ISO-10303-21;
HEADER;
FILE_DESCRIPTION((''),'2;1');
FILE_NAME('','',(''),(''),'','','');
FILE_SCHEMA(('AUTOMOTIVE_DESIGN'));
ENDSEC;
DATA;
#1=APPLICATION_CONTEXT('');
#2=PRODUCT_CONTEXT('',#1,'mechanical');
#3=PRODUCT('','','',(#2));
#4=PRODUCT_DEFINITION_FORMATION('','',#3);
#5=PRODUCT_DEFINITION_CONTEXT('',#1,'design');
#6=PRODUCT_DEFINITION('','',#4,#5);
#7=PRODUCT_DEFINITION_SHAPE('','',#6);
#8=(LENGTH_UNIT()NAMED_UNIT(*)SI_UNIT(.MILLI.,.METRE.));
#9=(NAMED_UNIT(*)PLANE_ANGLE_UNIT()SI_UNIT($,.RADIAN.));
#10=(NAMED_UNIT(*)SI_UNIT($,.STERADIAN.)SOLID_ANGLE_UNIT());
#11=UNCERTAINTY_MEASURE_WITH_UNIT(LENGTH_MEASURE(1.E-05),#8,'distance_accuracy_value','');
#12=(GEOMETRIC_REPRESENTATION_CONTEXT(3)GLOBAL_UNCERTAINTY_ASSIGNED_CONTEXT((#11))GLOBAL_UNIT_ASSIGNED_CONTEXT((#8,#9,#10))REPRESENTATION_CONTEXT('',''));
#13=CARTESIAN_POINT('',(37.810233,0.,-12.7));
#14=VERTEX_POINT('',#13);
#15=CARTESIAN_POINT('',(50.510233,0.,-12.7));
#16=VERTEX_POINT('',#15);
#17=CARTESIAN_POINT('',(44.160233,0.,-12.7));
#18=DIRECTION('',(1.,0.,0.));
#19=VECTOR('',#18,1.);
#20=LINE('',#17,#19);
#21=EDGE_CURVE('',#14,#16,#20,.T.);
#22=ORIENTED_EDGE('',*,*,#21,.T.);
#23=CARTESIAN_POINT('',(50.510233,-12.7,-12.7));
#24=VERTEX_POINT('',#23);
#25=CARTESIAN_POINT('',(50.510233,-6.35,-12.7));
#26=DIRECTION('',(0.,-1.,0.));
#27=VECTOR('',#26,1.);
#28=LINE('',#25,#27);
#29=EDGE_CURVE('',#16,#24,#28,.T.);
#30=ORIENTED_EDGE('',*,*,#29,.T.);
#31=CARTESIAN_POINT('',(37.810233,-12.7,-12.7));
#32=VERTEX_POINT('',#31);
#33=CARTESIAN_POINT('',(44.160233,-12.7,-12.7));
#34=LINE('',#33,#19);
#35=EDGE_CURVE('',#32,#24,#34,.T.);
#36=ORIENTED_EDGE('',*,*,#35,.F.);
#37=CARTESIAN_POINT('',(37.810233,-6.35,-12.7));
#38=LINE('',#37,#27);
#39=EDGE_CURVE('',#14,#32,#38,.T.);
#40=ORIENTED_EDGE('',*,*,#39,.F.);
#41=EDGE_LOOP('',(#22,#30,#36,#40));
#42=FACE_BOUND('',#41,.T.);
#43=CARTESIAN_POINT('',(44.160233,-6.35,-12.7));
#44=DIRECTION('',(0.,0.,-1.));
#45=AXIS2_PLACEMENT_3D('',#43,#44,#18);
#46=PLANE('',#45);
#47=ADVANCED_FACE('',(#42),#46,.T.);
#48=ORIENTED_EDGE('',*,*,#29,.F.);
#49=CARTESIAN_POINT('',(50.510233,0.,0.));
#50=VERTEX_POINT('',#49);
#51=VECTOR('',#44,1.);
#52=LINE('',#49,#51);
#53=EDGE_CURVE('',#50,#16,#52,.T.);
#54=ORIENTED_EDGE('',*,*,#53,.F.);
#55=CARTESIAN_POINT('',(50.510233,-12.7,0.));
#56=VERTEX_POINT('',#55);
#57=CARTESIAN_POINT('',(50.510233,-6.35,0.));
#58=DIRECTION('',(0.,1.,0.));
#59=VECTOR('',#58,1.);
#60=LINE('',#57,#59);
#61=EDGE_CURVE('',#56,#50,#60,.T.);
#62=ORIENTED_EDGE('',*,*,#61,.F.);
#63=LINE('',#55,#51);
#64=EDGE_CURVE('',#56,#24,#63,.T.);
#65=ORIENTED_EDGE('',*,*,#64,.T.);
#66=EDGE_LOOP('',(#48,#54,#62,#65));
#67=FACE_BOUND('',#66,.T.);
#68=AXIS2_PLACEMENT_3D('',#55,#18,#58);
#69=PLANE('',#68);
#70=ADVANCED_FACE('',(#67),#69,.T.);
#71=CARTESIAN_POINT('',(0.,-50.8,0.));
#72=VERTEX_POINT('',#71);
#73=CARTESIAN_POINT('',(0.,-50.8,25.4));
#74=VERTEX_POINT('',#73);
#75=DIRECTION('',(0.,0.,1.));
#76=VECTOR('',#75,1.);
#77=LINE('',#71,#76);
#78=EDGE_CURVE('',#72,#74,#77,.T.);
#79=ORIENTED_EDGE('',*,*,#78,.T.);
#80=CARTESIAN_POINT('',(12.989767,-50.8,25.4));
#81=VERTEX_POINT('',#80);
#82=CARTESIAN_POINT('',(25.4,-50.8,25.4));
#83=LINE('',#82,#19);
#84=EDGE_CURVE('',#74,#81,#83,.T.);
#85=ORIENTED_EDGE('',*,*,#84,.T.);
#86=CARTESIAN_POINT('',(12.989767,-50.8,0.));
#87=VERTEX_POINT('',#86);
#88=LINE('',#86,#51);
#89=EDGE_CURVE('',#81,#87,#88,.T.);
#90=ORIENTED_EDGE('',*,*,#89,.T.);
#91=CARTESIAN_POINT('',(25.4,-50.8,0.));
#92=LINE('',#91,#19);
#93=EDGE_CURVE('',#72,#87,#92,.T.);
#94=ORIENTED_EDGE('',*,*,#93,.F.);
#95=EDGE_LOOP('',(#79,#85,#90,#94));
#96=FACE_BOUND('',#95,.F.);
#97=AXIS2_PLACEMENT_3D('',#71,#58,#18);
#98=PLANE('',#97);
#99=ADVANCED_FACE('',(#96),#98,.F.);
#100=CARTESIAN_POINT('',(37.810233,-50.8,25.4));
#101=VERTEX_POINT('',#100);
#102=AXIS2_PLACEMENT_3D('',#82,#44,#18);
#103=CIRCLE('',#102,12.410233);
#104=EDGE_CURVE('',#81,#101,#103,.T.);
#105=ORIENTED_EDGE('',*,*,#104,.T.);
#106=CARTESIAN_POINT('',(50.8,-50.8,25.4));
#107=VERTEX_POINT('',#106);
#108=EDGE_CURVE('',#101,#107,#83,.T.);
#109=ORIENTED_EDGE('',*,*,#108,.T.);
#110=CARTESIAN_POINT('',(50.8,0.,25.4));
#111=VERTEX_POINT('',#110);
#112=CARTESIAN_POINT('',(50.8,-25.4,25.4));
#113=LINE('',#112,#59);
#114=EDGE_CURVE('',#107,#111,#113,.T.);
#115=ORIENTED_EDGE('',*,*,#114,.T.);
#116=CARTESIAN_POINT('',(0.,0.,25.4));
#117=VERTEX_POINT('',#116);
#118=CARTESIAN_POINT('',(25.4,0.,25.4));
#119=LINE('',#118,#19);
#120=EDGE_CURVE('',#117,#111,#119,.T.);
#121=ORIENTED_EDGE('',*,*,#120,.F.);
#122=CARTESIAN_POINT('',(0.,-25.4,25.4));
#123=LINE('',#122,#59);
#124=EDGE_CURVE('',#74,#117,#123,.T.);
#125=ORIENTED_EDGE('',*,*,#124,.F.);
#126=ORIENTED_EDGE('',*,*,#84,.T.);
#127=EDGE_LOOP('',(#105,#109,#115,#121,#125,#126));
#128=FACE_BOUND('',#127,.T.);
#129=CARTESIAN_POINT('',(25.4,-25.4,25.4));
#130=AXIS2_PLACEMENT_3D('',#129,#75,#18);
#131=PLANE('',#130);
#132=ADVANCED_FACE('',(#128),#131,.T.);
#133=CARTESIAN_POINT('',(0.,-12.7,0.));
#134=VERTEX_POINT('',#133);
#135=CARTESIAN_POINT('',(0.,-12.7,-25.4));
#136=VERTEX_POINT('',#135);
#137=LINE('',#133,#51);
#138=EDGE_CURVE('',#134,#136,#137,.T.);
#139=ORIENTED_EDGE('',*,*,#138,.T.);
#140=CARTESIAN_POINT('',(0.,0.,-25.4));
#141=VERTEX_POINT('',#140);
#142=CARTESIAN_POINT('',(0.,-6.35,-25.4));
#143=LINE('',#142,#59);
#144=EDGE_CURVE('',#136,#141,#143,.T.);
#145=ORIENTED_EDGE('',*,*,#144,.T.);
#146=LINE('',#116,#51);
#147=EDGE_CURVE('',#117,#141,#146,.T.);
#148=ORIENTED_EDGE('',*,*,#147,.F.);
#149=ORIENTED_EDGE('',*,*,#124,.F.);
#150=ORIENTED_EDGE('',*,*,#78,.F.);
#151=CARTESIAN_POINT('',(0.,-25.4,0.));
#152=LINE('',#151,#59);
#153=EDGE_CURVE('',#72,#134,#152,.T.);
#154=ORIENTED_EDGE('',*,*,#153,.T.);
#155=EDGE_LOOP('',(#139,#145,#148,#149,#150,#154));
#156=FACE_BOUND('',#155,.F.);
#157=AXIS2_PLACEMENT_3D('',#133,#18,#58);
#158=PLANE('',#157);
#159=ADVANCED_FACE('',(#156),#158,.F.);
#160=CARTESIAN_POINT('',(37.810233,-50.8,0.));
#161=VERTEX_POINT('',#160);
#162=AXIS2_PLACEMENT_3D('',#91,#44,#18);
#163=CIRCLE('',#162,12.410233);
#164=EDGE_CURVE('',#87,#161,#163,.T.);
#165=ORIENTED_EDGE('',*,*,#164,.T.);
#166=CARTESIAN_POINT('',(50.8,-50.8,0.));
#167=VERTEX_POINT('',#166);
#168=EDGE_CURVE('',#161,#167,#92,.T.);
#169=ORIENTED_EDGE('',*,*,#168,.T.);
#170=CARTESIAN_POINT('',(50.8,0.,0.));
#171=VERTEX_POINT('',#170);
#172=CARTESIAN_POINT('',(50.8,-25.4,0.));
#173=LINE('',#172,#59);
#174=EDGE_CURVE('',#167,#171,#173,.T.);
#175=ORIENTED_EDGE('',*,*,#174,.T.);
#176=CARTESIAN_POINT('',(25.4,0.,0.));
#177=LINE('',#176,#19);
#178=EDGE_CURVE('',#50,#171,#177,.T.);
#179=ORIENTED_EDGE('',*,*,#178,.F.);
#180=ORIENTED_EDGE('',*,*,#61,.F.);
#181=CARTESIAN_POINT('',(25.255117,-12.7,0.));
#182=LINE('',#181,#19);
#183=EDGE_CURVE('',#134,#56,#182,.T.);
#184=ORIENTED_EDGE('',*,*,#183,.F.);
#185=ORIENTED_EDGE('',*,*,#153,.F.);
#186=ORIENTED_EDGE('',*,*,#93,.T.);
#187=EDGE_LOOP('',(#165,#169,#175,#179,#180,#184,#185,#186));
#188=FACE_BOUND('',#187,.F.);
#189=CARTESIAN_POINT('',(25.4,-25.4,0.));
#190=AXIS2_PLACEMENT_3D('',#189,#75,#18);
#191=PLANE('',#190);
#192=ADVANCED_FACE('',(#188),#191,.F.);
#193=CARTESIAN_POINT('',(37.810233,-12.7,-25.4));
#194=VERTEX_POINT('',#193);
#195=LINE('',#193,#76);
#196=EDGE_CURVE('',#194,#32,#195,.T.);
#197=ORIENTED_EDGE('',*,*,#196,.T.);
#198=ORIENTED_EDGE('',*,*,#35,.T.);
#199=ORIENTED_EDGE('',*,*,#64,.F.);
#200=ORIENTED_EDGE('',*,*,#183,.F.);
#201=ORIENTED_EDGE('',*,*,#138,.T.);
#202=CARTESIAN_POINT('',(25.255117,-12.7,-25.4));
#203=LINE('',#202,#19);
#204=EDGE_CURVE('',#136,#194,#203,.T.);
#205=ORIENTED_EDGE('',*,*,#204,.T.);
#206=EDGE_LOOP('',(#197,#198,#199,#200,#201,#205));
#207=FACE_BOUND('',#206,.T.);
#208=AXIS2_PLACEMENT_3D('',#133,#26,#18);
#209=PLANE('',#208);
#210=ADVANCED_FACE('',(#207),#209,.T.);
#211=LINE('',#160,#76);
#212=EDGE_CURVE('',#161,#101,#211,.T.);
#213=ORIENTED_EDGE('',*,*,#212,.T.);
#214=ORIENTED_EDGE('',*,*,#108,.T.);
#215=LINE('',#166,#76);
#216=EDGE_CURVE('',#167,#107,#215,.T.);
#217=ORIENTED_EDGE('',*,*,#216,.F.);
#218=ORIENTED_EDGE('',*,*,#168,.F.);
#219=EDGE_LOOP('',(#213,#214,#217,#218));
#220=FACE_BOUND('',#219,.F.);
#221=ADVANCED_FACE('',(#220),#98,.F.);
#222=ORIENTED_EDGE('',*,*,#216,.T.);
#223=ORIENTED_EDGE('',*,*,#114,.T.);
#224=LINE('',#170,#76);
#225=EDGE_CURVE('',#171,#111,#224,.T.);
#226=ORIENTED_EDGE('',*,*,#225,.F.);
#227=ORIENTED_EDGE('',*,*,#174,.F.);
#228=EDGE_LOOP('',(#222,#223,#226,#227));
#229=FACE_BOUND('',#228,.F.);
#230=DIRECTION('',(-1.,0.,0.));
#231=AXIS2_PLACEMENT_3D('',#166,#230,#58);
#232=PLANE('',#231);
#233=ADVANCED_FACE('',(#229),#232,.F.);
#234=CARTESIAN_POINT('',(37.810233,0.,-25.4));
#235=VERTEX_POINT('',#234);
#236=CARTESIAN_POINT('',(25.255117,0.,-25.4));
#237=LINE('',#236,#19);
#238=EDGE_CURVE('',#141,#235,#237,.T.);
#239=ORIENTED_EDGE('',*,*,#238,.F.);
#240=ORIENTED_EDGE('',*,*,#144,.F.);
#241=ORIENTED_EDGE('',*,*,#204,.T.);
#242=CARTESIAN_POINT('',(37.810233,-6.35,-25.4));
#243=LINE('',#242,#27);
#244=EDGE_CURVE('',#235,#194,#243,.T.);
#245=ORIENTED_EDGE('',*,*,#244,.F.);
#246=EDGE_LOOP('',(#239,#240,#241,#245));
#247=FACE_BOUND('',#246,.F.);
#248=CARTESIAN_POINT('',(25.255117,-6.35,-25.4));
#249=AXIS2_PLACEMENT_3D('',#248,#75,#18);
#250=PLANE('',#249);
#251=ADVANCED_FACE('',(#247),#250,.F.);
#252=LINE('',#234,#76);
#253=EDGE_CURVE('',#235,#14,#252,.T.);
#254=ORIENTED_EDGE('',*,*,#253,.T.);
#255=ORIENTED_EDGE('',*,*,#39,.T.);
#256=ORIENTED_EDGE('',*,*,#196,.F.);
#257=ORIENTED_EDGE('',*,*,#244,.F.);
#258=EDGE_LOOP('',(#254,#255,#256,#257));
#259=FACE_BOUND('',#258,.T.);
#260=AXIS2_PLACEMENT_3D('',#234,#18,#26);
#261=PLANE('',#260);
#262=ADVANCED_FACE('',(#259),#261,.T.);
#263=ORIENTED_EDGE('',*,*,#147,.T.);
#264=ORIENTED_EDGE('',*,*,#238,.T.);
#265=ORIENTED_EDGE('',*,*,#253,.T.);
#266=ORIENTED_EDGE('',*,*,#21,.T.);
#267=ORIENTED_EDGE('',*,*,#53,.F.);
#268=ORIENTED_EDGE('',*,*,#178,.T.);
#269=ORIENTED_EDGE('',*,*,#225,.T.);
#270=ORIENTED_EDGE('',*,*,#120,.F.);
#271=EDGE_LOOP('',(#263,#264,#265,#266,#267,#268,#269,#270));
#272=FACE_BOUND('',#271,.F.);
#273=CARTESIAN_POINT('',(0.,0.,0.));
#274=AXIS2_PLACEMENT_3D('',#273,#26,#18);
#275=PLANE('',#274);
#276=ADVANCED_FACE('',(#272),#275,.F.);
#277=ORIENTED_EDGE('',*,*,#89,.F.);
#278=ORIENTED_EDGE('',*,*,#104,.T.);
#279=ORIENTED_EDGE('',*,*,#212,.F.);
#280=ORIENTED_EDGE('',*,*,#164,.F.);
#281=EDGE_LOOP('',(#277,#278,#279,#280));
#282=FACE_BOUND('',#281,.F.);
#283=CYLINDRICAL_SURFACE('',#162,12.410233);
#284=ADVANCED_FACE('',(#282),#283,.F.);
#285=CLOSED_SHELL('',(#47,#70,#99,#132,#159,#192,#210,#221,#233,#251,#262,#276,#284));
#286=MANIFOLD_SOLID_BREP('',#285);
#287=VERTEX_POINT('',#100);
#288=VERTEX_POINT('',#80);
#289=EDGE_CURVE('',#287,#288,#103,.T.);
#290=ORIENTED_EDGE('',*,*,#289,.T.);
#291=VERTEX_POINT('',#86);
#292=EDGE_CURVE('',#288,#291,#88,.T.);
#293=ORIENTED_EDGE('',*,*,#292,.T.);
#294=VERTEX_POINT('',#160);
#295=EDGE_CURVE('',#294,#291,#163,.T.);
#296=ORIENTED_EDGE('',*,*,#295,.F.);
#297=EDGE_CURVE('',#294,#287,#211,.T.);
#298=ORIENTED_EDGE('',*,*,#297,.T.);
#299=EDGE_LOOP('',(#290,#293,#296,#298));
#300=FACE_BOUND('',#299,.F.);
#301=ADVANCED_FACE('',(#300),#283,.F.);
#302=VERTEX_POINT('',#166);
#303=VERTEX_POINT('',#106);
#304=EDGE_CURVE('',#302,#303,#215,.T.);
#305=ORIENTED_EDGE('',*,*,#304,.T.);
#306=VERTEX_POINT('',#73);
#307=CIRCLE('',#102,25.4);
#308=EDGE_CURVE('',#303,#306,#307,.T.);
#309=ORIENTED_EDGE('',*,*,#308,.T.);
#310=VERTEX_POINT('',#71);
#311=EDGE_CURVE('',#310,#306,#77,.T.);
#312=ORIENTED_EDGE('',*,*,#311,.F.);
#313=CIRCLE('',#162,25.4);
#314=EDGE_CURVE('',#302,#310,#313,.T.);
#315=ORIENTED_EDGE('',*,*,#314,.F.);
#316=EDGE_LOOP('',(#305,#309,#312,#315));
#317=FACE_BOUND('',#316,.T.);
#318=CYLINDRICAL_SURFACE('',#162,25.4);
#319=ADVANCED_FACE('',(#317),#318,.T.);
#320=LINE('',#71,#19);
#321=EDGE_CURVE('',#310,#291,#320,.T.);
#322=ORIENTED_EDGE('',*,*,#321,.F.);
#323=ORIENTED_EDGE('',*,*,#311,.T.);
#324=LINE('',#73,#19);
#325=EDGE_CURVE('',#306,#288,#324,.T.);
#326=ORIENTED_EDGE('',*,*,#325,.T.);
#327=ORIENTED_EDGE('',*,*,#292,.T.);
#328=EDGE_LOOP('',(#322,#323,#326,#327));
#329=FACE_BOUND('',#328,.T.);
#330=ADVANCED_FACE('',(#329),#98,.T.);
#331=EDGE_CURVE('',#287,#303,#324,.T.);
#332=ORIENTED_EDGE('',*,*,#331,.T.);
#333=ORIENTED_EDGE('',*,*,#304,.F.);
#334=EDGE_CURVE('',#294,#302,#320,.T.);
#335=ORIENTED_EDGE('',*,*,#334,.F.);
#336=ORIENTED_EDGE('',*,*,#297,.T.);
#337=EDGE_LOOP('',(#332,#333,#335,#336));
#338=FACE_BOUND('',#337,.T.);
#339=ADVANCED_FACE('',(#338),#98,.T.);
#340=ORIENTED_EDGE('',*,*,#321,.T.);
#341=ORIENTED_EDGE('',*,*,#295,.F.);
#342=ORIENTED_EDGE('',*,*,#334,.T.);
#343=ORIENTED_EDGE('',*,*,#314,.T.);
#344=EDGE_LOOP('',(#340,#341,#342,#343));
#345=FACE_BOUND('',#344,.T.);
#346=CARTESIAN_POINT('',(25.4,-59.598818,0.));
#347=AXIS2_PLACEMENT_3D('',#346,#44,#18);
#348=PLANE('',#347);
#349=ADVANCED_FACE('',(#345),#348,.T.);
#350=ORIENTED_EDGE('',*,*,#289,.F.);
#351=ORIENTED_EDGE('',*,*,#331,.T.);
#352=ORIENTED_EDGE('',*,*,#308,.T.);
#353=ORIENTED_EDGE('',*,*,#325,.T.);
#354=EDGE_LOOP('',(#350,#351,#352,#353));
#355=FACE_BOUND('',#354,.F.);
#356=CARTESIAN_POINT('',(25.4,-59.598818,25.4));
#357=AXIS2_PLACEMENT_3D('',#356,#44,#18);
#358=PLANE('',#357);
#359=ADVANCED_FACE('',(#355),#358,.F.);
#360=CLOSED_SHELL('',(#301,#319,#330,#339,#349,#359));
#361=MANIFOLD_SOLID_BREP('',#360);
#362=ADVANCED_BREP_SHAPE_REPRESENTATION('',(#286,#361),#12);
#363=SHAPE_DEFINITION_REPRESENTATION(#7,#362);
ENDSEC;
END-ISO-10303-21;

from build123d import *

# Parameters (mm, degrees)
F0_W      = 50.8
F0_H      = 50.8
F1_DEPTH  = 25.4
F2_W      = 50.5102332488
F2_H      = 12.7
F3_DEPTH  = 25.4
F4_W      = 12.7
F4_H      = 12.7
F5_DEPTH  = 12.7
F7_DEPTH  = 25.4
F9_DEPTH  = 25.4
F8_R      = 12.4102332488
F10_DEPTH = 25.4
F11_DEPTH = 25.4


with BuildPart() as f1:
    # F0 (on Top) → F1 (new body)
    with BuildSketch(Plane.XY):
        with Locations((25.4, -25.4)):
            Rectangle(F0_W, F0_H)
    extrude(amount=F1_DEPTH)

    # F2 (on Top) → F3 (join)
    with BuildSketch(Plane.XY):
        with Locations((25.2551166244, -6.35)):
            Rectangle(F2_W, F2_H)
    extrude(amount=-F3_DEPTH)

    # F4 (on face) → F5 (cut)
    with BuildSketch(Plane(origin=(0, 0, -25.4), x_dir=(1, 0, 0), z_dir=(0, 0, -1))):
        with Locations((44.1602332488, 6.35)):
            Rectangle(F4_W, F4_H)
    extrude(amount=-F5_DEPTH, mode=Mode.SUBTRACT)


with BuildPart() as f7:
    # F6 (on face) → F7 (new body)
    with BuildSketch(Plane(origin=(0, 0, 0), x_dir=(1, 0, 0), z_dir=(0, 0, -1))):
        with BuildLine():
            Line((0, 50.8), (50.8, 50.8))
            ThreePointArc((50.8, 50.8), (25.4, 76.2), (0, 50.8))
        make_face()
    extrude(amount=-F7_DEPTH)


with BuildPart() as f9_tool:
    # F8 (on face) → F9 (new body)
    with BuildSketch(Plane(origin=(0, 0, 0), x_dir=(1, 0, 0), z_dir=(0, 0, -1))):
        with BuildLine():
            ThreePointArc((12.9897667512, 50.8), (25.4, 38.3897667512), (37.8102332488, 50.8))
            Line((37.8102332488, 50.8), (12.9897667512, 50.8))
        make_face()
        with BuildLine():
            Line((12.9897667512, 50.8), (37.8102332488, 50.8))
            ThreePointArc((37.8102332488, 50.8), (25.4, 63.2102332488), (12.9897667512, 50.8))
        make_face()
    extrude(amount=-F9_DEPTH)


with BuildPart() as f1_1:
    add(f1.part)

    # F9: cut by f9_tool
    add(f9_tool.part, mode=Mode.SUBTRACT)

    # F8 (on face) → F10 (cut)
    with BuildSketch(Plane(origin=(0, 0, 0), x_dir=(1, 0, 0), z_dir=(0, 0, -1))):
        with Locations((25.4, 50.8)):
            Circle(F8_R)
    extrude(amount=-F10_DEPTH, mode=Mode.SUBTRACT)

    # F8 (on face) → F11 (cut)
    with BuildSketch(Plane(origin=(0, 0, 0), x_dir=(1, 0, 0), z_dir=(0, 0, -1))):
        with Locations((25.4, 50.8)):
            Circle(F8_R)
    extrude(amount=-F11_DEPTH, mode=Mode.SUBTRACT)


with BuildPart() as f7_1:
    add(f7.part)

    # F9: cut by f9_tool
    add(f9_tool.part, mode=Mode.SUBTRACT)


solid = Compound([f1_1.part, f7_1.part])
